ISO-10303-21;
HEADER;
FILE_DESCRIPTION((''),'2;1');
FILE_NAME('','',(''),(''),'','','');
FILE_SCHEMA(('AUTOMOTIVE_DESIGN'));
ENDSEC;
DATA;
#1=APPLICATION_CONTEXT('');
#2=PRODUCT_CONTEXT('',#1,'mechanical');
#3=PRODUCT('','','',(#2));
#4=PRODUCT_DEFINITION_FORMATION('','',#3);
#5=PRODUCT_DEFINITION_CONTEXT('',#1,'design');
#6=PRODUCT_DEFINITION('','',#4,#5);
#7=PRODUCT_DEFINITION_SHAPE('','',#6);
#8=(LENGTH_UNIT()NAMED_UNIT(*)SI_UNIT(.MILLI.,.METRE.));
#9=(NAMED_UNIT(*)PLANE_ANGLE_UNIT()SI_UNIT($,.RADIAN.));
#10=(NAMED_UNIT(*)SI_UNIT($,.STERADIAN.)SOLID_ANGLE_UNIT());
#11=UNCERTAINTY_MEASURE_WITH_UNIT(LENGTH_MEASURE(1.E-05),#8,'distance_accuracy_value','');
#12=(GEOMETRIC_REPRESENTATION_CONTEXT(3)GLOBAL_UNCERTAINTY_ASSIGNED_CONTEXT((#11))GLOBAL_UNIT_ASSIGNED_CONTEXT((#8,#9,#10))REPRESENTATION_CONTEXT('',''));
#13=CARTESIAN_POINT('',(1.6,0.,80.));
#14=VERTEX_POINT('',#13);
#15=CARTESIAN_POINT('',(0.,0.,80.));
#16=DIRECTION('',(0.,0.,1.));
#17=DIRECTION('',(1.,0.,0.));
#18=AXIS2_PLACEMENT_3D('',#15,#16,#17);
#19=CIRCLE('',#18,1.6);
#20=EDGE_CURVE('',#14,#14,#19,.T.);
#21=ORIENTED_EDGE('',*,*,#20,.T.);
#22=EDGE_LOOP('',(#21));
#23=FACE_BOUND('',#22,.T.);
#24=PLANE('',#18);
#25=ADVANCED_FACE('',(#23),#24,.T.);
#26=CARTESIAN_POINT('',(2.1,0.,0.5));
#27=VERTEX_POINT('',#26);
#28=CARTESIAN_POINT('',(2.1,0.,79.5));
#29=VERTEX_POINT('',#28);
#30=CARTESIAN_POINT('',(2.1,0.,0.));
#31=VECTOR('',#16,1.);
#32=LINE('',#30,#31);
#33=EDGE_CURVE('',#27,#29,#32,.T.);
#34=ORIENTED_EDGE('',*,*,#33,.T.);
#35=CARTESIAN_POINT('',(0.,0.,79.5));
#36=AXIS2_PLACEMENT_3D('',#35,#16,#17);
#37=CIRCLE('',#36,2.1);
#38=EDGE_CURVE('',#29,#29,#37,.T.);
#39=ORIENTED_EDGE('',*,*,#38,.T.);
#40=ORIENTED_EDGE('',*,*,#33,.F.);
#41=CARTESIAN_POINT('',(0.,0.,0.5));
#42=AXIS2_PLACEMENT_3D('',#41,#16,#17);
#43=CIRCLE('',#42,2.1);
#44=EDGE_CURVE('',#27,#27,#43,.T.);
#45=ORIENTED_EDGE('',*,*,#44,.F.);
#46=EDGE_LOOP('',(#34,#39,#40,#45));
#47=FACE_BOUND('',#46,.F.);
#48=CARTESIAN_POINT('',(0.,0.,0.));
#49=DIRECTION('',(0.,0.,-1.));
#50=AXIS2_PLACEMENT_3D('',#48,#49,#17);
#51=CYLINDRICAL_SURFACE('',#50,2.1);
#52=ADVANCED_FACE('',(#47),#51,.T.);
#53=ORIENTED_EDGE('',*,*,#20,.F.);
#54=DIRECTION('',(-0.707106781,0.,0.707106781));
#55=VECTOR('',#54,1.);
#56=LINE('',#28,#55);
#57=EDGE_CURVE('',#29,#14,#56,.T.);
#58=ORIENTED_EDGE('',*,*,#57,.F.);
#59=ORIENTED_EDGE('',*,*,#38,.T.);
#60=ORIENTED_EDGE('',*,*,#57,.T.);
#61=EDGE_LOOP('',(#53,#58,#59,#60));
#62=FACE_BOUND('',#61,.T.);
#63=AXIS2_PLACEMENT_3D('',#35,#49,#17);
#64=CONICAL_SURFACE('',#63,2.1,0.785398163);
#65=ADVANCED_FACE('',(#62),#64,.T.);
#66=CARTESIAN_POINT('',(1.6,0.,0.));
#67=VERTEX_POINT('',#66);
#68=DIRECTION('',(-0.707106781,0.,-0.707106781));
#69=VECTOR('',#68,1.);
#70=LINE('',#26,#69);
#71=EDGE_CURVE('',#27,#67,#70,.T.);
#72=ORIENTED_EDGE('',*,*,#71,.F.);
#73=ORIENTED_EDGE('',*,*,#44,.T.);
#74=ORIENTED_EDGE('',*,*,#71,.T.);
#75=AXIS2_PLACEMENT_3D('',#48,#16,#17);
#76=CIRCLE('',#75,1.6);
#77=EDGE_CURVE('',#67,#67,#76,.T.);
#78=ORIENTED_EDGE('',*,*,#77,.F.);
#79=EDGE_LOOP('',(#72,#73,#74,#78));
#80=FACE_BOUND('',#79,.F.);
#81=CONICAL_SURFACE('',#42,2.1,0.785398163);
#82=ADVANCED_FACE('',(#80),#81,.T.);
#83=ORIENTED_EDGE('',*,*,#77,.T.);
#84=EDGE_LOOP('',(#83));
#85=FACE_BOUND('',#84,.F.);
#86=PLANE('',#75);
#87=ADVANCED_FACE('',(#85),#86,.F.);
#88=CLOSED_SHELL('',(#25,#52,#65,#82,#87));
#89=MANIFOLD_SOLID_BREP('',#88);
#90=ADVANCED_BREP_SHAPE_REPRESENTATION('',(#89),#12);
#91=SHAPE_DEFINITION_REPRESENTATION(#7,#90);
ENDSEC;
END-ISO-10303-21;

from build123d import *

# Parameters (mm, degrees)
SKETCH_R     = 2.1
PAD_DEPTH    = 80
CHAMFER_SIZE = 0.5


with BuildPart() as part:
    # Sketch → Pad (new body)
    with BuildSketch(Plane.XY):
        Circle(SKETCH_R)
    extrude(amount=PAD_DEPTH)

    # Chamfer
    chamfer_edges = [part.edges().sort_by_distance(p)[0] for p in [
        (-2.1, 0, 80),
        (-2.1, 0, 0),
    ]]
    chamfer(chamfer_edges, length=CHAMFER_SIZE)


solid = part.part
